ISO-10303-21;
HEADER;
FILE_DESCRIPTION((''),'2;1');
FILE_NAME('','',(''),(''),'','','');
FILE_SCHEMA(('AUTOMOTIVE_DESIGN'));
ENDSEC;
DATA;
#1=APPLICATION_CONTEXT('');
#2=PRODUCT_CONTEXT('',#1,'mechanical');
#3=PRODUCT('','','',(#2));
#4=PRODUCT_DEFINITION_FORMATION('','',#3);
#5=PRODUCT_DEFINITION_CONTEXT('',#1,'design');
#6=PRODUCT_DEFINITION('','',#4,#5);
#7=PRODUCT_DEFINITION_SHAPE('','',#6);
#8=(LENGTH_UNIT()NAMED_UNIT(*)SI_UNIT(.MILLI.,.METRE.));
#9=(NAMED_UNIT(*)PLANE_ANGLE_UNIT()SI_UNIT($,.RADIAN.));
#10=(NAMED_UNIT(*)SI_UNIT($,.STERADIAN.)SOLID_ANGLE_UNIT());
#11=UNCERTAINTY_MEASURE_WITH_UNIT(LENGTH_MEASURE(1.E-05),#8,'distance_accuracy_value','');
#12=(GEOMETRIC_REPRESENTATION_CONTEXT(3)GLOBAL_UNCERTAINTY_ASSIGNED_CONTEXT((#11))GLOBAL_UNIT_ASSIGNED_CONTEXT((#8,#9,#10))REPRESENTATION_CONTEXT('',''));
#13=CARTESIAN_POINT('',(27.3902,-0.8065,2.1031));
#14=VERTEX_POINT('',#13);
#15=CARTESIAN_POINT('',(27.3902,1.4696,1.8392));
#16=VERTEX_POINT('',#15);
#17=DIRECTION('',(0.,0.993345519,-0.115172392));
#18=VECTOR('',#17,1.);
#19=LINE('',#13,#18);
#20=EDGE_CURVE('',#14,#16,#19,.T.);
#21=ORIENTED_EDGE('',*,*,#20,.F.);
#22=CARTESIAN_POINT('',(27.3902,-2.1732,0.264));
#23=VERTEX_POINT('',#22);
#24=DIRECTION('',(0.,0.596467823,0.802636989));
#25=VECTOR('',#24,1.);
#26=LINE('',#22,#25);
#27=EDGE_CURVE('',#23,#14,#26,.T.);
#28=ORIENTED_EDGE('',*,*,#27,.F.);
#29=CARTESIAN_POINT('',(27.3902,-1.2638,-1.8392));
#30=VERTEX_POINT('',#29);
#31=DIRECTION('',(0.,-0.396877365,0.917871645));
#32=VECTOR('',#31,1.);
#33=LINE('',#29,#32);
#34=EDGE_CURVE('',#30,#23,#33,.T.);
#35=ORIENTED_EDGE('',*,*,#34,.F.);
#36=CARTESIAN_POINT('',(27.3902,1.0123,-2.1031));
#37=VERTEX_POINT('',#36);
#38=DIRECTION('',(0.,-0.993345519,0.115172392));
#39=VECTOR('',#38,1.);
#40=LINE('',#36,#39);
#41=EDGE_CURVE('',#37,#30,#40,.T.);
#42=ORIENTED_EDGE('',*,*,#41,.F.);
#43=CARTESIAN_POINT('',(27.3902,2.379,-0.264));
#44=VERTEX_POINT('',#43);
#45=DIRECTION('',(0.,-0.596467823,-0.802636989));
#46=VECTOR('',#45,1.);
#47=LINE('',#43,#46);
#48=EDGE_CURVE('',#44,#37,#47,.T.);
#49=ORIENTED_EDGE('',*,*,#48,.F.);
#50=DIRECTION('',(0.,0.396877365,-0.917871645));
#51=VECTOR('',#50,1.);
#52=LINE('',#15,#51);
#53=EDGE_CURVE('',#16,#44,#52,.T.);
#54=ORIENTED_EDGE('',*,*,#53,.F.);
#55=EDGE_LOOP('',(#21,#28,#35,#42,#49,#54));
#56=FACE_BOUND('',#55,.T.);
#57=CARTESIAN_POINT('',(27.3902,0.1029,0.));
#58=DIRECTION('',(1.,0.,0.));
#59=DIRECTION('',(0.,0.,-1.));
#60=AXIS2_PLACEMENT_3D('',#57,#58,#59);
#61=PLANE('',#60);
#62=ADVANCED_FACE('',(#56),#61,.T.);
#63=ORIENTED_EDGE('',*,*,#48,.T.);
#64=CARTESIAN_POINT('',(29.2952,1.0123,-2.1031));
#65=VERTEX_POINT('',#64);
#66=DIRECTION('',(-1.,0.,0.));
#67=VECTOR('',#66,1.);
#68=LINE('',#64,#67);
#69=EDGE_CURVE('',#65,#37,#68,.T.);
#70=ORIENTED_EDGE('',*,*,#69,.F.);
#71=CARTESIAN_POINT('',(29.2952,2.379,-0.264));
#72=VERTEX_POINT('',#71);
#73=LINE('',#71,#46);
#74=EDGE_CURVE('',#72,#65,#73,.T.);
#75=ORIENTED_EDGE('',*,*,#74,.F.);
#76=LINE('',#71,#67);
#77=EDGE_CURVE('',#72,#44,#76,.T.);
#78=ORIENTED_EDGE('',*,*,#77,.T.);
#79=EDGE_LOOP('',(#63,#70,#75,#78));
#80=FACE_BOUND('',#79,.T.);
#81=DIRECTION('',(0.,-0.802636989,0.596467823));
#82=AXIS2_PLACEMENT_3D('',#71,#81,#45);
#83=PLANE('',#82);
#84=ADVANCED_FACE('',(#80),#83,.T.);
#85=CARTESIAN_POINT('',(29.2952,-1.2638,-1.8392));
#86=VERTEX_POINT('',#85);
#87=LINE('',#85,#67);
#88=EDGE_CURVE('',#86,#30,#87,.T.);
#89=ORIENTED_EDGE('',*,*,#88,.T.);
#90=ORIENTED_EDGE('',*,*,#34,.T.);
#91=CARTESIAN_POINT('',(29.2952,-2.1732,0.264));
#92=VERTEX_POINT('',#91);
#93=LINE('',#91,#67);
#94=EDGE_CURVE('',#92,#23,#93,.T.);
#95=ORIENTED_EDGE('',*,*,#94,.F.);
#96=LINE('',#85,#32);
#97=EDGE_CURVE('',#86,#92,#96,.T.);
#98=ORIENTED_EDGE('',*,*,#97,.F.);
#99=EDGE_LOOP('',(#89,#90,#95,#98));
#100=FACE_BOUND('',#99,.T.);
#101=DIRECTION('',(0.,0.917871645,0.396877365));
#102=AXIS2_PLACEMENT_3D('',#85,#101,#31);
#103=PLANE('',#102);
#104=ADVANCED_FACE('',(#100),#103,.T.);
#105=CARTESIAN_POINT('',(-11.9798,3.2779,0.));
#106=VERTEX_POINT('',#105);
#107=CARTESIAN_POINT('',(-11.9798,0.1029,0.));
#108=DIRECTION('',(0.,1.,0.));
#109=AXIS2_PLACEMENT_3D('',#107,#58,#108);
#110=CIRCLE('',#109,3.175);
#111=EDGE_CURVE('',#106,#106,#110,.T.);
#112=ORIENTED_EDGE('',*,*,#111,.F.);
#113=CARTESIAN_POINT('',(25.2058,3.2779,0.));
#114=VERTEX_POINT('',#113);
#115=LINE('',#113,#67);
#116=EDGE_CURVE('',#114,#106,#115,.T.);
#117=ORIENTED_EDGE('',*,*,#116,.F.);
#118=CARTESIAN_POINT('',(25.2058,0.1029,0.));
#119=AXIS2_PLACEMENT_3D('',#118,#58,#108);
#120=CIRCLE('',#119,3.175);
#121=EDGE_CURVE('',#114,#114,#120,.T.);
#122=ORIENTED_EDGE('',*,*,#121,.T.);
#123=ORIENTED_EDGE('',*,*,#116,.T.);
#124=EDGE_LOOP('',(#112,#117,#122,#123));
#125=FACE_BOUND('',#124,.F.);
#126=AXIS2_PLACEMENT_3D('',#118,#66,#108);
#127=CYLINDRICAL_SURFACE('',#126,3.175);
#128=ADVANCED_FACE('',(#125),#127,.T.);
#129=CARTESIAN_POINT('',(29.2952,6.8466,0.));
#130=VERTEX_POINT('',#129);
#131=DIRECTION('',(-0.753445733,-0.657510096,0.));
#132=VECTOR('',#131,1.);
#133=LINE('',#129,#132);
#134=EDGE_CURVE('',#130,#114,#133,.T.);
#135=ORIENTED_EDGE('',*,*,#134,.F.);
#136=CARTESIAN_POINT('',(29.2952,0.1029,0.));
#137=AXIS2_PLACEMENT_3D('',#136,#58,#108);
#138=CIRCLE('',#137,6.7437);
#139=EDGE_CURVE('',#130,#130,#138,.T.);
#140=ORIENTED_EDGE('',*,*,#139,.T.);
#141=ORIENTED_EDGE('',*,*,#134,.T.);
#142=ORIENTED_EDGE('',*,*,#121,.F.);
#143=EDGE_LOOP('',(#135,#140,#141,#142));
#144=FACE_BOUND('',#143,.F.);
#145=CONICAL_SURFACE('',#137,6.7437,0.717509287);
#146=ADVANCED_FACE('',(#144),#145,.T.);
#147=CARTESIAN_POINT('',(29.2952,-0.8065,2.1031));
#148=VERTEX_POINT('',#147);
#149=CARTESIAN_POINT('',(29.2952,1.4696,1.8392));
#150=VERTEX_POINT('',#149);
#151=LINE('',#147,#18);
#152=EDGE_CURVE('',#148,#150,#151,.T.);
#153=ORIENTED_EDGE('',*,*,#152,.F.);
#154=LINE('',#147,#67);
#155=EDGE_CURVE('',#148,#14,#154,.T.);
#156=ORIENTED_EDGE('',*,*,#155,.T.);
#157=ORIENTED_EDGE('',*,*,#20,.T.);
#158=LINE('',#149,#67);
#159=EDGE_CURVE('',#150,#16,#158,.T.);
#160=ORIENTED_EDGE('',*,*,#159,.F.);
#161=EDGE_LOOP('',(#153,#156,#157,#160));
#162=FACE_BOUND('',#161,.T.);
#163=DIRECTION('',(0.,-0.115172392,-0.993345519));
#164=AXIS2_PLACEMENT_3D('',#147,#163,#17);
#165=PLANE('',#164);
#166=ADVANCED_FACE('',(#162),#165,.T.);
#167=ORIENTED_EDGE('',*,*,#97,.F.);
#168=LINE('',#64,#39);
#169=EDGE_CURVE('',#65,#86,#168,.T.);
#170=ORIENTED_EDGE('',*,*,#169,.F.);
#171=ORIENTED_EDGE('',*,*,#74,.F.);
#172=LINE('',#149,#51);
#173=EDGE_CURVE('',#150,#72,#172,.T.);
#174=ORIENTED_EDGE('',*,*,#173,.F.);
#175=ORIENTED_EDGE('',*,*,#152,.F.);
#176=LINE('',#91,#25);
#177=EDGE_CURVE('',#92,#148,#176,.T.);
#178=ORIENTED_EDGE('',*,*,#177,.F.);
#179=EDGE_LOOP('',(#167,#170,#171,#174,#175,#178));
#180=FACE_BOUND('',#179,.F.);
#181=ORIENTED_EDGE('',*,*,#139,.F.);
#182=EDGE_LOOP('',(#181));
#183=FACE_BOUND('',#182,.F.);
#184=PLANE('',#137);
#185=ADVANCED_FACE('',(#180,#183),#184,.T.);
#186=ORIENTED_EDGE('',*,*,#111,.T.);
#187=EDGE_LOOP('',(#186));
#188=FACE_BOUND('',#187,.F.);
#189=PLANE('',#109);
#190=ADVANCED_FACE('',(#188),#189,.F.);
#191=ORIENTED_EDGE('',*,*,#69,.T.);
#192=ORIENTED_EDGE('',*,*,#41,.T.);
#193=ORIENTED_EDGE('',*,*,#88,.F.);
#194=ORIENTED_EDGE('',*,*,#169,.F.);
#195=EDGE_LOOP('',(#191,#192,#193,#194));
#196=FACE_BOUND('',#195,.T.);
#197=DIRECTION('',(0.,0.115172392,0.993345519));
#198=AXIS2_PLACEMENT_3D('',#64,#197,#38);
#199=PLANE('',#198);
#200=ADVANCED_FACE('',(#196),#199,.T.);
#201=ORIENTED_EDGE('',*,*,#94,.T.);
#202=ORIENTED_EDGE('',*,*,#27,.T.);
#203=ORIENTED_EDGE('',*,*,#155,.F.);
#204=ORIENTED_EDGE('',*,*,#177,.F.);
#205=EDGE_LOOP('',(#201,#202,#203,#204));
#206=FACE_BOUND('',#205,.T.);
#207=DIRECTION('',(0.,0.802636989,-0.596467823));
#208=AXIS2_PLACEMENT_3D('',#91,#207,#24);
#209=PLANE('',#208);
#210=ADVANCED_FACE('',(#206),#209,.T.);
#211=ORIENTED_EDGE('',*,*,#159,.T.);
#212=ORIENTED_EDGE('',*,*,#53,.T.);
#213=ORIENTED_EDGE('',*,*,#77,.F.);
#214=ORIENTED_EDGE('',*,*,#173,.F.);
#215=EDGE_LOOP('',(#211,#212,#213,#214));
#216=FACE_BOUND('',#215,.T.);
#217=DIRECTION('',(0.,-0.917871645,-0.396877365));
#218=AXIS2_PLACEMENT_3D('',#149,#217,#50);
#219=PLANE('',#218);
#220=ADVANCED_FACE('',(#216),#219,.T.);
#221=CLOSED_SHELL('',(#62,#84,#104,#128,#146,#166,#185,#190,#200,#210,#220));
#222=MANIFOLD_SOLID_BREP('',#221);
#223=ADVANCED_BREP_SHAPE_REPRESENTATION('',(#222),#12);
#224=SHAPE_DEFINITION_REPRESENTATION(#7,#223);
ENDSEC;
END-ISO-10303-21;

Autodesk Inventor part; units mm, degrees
ref_plane "YZ Plane" through (0, 0, 0) normal (1, 0, 0) x (0, 1, 0)
ref_plane "XZ Plane" through (0, 0, 0) normal (0, 1, 0) x (-1, 0, 0)
ref_plane "XY Plane" through (0, 0, 0) normal (0, 0, 1) x (1, 0, 0)
sketch "Sketch1" plane through (0, 0, 0) normal (0, 0, 1) x (1, 0, 0)
  line L0 (-11.9798, 0.1029) -> (29.2952, 0.1029)
  line L1 (29.2952, 0.1029) -> (29.2952, 6.8466)
  line L2 (29.2952, 6.8466) -> (25.2058, 3.2779)
  line L3 (25.2058, 3.2779) -> (-11.9798, 3.2779)
  line L4 (-11.9798, 3.2779) -> (-11.9798, 0.1029)
  dimension "d1" = 3.175
  dimension "d2" = 4.0894
  dimension "d3" = 6.7437
  dimension "d20" = 41.275
revolve "Revolution1" add sketch "Sketch1" angle 360 about axis through (-11.9798, 0.1029, 0) along (1, 0, 0)
thread "Thread1" size "1/4-20 UNC" class "2A" standard "ANSI Unified Screw Threads" full length
sketch "Sketch2" plane through (29.2952, 0.1029, 0) normal (1, 0, 0) x (0, 0, -1)
  circle A0 centre (0, 0) radius 6.7437 projected
  line L0 (-1.8392, 1.3667) -> (0.264, 2.2761)
  line L1 (0.264, 2.2761) -> (2.1031, 0.9094)
  line L2 (2.1031, 0.9094) -> (1.8392, -1.3667)
  line L3 (1.8392, -1.3667) -> (-0.264, -2.2761)
  line L4 (-0.264, -2.2761) -> (-2.1031, -0.9094)
  line L5 (-2.1031, -0.9094) -> (-1.8392, 1.3667)
  dimension "d16" = 3.9688
extrude "Extrusion1" cut sketch "Sketch2" against normal blind 1.905 contours L0 L1 L2 L3 L4 L5
properties part number "HW-00008"
